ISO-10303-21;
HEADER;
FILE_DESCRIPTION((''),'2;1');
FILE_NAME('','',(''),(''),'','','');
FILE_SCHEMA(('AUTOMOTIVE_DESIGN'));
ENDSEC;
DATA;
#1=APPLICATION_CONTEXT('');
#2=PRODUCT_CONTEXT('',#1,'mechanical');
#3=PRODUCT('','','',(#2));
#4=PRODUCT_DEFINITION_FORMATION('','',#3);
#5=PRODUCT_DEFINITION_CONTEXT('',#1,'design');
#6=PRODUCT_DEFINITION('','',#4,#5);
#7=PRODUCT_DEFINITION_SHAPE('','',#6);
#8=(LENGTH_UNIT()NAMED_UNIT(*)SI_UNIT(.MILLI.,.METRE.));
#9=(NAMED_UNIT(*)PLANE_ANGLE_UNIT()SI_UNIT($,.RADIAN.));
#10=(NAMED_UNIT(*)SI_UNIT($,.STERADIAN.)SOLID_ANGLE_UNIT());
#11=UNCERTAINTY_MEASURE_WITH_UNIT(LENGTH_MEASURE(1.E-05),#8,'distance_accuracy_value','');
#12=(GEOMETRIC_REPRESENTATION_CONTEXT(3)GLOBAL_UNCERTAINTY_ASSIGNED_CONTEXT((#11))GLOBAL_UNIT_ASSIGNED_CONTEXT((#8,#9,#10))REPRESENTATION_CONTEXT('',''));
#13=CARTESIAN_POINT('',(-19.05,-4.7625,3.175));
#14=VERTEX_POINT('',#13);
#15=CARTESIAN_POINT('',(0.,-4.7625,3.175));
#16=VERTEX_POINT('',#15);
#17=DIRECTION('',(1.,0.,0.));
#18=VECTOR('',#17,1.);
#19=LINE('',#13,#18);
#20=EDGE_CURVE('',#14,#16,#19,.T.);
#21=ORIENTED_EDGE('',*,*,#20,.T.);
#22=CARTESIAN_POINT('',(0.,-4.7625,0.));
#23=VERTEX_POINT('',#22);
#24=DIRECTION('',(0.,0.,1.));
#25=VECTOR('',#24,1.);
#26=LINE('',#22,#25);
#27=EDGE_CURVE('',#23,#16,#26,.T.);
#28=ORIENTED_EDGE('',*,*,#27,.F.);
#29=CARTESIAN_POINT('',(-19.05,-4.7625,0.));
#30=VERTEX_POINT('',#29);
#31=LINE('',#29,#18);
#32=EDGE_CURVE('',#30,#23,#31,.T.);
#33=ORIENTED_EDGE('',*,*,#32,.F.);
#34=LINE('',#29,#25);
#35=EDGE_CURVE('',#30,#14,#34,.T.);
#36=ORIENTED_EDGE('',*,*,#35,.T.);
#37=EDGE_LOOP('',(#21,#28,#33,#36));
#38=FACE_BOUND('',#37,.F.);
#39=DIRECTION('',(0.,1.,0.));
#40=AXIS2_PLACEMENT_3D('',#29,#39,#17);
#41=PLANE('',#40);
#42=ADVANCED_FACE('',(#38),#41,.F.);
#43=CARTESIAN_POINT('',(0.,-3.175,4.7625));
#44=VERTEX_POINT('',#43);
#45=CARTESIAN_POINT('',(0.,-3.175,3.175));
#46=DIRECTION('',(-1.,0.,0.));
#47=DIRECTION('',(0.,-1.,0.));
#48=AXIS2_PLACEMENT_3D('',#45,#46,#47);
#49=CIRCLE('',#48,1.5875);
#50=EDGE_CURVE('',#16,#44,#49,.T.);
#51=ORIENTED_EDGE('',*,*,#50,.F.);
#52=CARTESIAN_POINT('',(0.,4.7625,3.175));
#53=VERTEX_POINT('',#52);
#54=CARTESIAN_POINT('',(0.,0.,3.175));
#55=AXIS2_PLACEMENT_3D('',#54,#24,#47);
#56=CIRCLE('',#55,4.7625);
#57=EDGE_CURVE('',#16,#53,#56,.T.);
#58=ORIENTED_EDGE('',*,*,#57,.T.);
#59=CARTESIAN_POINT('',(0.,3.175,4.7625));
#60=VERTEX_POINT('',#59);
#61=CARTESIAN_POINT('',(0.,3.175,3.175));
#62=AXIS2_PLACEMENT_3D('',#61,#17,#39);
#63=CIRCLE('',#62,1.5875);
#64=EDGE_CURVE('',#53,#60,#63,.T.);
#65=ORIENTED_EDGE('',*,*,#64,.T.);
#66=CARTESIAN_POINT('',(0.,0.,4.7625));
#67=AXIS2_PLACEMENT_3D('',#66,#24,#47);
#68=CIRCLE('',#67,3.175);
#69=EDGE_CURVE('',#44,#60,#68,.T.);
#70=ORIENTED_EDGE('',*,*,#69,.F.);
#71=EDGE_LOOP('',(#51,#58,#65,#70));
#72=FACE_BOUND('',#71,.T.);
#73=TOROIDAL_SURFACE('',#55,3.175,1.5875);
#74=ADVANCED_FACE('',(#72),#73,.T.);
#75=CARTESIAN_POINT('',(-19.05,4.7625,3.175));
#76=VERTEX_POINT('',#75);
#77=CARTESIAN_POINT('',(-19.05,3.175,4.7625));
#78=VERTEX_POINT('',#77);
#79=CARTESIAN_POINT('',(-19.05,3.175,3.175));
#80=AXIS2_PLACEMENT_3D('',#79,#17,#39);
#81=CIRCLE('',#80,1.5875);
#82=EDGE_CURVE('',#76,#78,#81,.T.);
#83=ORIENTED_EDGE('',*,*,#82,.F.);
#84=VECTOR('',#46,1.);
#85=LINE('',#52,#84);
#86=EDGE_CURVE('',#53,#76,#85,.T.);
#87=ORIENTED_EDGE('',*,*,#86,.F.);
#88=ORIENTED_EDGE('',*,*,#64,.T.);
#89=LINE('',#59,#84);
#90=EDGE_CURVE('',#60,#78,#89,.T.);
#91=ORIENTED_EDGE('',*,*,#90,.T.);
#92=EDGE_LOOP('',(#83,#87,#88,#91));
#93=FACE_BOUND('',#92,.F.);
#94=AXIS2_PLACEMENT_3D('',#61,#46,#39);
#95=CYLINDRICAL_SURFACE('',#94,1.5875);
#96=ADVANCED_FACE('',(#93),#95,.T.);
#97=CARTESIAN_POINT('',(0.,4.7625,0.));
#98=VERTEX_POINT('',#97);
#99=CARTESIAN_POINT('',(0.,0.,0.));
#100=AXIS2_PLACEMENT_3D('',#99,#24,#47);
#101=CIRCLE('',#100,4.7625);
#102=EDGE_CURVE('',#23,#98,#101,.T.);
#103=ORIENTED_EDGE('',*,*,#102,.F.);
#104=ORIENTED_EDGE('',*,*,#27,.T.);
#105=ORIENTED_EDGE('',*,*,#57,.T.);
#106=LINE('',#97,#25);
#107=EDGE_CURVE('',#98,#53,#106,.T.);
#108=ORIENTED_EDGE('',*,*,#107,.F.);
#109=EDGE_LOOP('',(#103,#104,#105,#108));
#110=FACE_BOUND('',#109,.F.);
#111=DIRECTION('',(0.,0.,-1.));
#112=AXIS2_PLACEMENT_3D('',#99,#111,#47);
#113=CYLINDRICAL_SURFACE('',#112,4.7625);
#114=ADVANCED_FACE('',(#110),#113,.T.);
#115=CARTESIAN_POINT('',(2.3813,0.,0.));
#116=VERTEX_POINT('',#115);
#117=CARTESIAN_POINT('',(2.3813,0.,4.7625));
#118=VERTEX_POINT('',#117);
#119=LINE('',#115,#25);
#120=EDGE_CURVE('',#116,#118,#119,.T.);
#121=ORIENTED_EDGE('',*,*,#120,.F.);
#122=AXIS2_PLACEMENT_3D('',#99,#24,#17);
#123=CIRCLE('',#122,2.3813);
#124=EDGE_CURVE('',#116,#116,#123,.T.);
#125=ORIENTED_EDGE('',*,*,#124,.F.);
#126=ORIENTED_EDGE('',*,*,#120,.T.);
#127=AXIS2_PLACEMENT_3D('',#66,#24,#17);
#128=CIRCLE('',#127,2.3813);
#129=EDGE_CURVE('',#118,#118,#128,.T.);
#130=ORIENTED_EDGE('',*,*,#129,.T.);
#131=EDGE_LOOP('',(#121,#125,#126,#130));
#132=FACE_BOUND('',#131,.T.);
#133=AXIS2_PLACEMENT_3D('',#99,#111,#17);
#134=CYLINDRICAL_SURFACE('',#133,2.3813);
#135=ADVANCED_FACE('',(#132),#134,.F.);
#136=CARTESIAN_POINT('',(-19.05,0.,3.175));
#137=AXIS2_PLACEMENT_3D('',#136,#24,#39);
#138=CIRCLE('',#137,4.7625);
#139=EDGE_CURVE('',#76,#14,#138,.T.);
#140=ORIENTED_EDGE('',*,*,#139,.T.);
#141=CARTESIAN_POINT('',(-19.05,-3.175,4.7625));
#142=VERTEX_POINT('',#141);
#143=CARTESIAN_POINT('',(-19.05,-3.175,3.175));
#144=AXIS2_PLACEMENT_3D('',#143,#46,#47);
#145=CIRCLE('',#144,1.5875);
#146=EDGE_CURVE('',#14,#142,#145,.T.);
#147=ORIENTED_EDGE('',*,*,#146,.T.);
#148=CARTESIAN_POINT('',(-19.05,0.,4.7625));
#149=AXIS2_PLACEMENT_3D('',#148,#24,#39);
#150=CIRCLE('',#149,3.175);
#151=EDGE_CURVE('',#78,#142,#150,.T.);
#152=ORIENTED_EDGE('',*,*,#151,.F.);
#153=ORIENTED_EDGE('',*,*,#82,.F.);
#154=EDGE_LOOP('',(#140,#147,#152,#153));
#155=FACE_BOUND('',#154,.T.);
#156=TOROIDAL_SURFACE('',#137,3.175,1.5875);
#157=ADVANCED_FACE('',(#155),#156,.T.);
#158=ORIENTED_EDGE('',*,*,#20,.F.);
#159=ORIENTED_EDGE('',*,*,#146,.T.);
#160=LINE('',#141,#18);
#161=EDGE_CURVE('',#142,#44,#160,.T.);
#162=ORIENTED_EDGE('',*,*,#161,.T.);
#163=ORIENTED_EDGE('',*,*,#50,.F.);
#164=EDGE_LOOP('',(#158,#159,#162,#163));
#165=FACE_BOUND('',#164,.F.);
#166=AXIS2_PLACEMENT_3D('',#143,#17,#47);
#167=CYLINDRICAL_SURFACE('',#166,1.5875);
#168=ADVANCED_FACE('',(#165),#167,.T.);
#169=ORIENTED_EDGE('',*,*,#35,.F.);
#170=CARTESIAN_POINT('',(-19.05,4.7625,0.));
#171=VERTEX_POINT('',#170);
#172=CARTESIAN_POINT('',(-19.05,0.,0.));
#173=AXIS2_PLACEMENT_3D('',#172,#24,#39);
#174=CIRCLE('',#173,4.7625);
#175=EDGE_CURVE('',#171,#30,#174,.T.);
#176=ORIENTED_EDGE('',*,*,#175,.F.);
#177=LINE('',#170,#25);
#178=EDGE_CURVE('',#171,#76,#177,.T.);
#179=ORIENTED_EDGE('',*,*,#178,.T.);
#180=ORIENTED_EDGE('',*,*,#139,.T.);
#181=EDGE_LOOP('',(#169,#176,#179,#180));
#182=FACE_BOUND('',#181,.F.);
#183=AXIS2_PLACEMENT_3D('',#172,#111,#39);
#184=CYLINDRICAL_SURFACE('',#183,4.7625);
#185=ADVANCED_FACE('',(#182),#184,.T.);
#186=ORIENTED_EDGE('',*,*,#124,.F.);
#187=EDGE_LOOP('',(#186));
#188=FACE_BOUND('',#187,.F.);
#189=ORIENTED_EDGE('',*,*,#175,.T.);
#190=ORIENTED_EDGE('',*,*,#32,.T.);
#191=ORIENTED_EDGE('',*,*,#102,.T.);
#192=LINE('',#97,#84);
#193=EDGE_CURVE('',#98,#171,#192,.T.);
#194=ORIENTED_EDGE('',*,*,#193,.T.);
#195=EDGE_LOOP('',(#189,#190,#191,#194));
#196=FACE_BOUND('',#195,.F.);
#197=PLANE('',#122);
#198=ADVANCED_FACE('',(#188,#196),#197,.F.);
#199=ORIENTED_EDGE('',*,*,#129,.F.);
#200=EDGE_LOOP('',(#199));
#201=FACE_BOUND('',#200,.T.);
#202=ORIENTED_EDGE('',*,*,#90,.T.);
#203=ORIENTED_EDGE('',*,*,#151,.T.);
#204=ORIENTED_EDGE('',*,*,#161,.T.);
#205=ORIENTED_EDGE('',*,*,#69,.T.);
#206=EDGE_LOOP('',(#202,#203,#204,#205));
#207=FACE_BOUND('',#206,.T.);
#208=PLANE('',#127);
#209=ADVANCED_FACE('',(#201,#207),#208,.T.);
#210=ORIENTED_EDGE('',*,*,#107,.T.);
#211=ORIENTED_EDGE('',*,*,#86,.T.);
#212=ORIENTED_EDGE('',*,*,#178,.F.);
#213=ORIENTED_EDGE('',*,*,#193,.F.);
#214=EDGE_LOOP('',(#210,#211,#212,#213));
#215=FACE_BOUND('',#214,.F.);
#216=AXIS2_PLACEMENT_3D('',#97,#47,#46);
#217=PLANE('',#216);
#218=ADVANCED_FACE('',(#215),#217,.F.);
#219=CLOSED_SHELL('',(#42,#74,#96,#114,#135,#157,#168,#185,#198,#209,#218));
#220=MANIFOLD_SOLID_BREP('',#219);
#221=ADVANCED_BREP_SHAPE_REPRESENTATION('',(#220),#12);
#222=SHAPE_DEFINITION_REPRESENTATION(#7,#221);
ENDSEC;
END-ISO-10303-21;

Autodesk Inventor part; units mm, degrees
ref_plane "YZ Plane" through (0, 0, 0) normal (1, 0, 0) x (0, 1, 0)
ref_plane "XZ Plane" through (0, 0, 0) normal (0, 1, 0) x (-1, 0, 0)
ref_plane "XY Plane" through (0, 0, 0) normal (0, 0, 1) x (1, 0, 0)
sketch "Sketch1" plane through (0, 0, 0) normal (0, 0, 1) x (1, 0, 0)
  circle A0 centre (0, 0) radius 2.3813
  line L0 (0, 0) -> (-19.05, 0) construction
  line L1 (0, 4.7625) -> (-19.05, 4.7625)
  line L2 (-19.05, -4.7625) -> (0, -4.7625)
  arc A1 (0, -4.7625) -> (0, 4.7625) centre (0, 0) ccw
  arc A2 (-19.05, 4.7625) -> (-19.05, -4.7625) centre (-19.05, 0) ccw
  point P0 (-9.525, 0)
  dimension "d0" = 4.7625
  dimension "d2" = 19.05
  dimension "d3" = 9.525
extrude "Extrusion1" add sketch "Sketch1" along normal blind 4.7625
fillet "Fillet1" radius 1.5875 4 edges at (4.7625, 0, 4.7625) (-9.525, 4.7625, 4.7625) (-23.8125, 0, 4.7625) (-9.525, -4.7625, 4.7625)
properties part number "Stands"
